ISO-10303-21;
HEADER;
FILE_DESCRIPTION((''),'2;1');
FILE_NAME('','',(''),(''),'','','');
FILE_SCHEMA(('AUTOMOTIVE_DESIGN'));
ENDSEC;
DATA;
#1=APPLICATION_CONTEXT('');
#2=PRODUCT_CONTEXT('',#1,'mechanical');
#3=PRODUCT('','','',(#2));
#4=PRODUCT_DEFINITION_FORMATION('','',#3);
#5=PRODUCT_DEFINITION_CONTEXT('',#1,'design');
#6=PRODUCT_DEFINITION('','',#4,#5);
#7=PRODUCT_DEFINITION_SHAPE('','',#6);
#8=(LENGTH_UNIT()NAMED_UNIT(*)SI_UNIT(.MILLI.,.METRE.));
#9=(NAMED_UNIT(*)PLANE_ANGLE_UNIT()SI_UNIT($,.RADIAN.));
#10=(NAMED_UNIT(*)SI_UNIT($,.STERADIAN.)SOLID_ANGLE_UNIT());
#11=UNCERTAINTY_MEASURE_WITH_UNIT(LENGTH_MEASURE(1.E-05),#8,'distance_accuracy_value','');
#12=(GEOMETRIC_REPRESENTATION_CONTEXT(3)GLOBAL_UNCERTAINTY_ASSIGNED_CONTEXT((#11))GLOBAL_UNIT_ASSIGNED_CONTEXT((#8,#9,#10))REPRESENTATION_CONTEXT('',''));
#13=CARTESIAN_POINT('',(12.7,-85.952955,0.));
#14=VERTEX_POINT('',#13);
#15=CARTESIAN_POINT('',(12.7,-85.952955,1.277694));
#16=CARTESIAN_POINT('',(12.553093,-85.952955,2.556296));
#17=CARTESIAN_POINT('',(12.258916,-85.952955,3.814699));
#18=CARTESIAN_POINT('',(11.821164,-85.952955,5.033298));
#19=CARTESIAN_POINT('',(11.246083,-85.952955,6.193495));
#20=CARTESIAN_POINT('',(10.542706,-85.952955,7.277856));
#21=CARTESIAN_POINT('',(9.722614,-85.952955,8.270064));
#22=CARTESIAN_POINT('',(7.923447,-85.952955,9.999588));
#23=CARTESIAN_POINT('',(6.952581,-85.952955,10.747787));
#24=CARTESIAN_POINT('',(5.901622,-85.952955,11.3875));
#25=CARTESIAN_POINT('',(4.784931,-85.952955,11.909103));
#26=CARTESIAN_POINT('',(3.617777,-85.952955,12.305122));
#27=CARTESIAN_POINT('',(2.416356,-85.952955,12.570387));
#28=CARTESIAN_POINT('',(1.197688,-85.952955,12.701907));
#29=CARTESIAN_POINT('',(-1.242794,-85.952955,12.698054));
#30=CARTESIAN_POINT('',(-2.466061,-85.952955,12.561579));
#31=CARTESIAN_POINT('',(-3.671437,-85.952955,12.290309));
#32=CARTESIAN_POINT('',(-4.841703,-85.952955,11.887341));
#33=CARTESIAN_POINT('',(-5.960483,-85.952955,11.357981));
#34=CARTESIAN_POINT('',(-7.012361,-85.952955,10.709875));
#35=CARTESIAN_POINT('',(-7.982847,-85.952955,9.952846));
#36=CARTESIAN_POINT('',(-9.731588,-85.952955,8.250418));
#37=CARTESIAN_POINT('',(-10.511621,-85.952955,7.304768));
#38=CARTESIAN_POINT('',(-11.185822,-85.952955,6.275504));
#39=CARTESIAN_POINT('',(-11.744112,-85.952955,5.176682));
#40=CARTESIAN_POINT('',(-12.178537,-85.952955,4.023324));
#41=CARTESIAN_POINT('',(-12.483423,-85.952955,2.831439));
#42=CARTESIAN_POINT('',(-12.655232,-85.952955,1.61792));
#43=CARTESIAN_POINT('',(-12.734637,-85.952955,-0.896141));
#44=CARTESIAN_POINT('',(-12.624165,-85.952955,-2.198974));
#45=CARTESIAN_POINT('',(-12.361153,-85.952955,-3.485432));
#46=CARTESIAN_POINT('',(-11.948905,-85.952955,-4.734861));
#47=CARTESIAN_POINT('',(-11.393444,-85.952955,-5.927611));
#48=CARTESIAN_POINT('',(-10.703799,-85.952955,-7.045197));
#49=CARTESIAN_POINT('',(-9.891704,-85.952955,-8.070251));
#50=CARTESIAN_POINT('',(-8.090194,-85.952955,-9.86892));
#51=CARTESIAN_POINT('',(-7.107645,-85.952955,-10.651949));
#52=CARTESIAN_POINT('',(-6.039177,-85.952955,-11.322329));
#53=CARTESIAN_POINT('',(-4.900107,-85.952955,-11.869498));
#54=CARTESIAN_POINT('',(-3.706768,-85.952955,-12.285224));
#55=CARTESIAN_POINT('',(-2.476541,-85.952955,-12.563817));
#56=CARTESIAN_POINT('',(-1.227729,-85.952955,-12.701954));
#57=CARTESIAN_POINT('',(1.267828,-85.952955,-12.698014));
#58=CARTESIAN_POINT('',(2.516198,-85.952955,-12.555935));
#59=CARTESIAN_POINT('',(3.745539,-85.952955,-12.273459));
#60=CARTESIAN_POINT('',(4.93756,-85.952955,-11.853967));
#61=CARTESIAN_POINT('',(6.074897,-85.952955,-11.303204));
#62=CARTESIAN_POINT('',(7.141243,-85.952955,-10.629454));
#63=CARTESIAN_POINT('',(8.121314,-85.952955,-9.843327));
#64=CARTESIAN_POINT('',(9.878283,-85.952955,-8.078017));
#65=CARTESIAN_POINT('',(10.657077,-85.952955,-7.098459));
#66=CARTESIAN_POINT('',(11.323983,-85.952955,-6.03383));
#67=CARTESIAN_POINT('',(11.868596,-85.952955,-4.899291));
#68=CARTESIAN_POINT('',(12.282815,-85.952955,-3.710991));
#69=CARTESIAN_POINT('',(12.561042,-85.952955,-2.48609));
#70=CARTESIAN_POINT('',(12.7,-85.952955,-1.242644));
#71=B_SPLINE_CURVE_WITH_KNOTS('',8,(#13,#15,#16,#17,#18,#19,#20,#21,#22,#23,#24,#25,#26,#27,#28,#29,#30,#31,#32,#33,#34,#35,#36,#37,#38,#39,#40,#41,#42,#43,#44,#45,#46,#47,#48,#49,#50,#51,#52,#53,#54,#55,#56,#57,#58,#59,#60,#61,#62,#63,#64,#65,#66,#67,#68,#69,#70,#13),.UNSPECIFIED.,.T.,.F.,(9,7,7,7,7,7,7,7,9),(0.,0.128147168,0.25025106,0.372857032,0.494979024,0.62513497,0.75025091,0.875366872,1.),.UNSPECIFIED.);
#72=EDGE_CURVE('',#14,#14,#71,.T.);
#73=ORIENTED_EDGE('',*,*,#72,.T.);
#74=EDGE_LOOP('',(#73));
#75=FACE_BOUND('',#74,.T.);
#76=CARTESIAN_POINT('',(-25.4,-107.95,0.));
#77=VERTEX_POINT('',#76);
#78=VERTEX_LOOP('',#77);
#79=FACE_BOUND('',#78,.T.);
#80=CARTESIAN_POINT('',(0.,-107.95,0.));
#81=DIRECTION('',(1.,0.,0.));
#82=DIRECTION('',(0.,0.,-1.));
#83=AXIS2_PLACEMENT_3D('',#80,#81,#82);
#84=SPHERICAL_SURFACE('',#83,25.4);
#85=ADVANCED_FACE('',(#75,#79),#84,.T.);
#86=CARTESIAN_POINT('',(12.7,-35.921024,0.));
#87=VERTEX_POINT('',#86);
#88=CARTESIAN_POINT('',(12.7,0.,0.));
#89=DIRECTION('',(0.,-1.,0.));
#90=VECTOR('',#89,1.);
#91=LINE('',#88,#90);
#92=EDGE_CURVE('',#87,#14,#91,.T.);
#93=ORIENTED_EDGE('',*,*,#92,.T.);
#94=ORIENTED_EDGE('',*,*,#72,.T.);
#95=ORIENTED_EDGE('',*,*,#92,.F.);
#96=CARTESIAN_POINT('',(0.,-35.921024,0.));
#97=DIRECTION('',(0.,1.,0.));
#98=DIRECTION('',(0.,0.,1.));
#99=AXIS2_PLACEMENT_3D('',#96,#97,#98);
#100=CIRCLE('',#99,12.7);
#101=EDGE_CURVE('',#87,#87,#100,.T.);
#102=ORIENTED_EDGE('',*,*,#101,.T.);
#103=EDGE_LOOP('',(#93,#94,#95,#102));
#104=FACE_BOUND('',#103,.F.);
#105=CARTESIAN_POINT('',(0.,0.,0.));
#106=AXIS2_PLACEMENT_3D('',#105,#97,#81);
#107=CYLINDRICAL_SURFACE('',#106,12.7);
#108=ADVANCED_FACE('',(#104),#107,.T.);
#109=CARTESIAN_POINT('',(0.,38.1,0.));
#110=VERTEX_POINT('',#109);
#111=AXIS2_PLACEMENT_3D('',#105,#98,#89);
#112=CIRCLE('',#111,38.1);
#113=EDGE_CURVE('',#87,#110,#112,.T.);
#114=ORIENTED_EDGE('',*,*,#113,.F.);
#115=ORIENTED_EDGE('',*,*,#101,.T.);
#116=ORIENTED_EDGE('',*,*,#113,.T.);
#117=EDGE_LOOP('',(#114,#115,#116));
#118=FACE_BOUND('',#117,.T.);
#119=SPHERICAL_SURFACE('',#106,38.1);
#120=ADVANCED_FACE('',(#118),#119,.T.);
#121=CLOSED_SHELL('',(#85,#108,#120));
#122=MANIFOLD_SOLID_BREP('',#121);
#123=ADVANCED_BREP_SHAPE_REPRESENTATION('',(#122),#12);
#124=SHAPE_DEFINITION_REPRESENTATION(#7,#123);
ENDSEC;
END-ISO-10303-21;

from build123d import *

# Parameters (mm, degrees)
F2_R     = 12.7
F3_DEPTH = 101.6


with BuildPart() as f1:
    # F0 (on Top) → F1 (revolve)
    with BuildSketch(Plane.XY):
        with BuildLine():
            Line((0, 0), (0, -38.1))
            ThreePointArc((0, -38.1), (38.1, 0), (0, 38.1))
            Line((0, 38.1), (0, 0))
        make_face()
    revolve(axis=Axis((0, 0, 0), (0, 1, 0)))

    # F2 (on Front) → F3 (join)
    with BuildSketch(Plane.XZ):
        Circle(F2_R)
    extrude(amount=F3_DEPTH)

    # F5 (on offset) → F6 (revolve)
    with BuildSketch(Plane.XZ.offset(107.95)):
        with BuildLine():
            Line((0, 0), (-25.4, 0))
            ThreePointArc((-25.4, 0), (0, -25.4), (25.4, 0))
            Line((25.4, 0), (0, 0))
        make_face()
    revolve(axis=Axis((0, -107.95, 0), (1, 0, 0)))


solid = f1.part
